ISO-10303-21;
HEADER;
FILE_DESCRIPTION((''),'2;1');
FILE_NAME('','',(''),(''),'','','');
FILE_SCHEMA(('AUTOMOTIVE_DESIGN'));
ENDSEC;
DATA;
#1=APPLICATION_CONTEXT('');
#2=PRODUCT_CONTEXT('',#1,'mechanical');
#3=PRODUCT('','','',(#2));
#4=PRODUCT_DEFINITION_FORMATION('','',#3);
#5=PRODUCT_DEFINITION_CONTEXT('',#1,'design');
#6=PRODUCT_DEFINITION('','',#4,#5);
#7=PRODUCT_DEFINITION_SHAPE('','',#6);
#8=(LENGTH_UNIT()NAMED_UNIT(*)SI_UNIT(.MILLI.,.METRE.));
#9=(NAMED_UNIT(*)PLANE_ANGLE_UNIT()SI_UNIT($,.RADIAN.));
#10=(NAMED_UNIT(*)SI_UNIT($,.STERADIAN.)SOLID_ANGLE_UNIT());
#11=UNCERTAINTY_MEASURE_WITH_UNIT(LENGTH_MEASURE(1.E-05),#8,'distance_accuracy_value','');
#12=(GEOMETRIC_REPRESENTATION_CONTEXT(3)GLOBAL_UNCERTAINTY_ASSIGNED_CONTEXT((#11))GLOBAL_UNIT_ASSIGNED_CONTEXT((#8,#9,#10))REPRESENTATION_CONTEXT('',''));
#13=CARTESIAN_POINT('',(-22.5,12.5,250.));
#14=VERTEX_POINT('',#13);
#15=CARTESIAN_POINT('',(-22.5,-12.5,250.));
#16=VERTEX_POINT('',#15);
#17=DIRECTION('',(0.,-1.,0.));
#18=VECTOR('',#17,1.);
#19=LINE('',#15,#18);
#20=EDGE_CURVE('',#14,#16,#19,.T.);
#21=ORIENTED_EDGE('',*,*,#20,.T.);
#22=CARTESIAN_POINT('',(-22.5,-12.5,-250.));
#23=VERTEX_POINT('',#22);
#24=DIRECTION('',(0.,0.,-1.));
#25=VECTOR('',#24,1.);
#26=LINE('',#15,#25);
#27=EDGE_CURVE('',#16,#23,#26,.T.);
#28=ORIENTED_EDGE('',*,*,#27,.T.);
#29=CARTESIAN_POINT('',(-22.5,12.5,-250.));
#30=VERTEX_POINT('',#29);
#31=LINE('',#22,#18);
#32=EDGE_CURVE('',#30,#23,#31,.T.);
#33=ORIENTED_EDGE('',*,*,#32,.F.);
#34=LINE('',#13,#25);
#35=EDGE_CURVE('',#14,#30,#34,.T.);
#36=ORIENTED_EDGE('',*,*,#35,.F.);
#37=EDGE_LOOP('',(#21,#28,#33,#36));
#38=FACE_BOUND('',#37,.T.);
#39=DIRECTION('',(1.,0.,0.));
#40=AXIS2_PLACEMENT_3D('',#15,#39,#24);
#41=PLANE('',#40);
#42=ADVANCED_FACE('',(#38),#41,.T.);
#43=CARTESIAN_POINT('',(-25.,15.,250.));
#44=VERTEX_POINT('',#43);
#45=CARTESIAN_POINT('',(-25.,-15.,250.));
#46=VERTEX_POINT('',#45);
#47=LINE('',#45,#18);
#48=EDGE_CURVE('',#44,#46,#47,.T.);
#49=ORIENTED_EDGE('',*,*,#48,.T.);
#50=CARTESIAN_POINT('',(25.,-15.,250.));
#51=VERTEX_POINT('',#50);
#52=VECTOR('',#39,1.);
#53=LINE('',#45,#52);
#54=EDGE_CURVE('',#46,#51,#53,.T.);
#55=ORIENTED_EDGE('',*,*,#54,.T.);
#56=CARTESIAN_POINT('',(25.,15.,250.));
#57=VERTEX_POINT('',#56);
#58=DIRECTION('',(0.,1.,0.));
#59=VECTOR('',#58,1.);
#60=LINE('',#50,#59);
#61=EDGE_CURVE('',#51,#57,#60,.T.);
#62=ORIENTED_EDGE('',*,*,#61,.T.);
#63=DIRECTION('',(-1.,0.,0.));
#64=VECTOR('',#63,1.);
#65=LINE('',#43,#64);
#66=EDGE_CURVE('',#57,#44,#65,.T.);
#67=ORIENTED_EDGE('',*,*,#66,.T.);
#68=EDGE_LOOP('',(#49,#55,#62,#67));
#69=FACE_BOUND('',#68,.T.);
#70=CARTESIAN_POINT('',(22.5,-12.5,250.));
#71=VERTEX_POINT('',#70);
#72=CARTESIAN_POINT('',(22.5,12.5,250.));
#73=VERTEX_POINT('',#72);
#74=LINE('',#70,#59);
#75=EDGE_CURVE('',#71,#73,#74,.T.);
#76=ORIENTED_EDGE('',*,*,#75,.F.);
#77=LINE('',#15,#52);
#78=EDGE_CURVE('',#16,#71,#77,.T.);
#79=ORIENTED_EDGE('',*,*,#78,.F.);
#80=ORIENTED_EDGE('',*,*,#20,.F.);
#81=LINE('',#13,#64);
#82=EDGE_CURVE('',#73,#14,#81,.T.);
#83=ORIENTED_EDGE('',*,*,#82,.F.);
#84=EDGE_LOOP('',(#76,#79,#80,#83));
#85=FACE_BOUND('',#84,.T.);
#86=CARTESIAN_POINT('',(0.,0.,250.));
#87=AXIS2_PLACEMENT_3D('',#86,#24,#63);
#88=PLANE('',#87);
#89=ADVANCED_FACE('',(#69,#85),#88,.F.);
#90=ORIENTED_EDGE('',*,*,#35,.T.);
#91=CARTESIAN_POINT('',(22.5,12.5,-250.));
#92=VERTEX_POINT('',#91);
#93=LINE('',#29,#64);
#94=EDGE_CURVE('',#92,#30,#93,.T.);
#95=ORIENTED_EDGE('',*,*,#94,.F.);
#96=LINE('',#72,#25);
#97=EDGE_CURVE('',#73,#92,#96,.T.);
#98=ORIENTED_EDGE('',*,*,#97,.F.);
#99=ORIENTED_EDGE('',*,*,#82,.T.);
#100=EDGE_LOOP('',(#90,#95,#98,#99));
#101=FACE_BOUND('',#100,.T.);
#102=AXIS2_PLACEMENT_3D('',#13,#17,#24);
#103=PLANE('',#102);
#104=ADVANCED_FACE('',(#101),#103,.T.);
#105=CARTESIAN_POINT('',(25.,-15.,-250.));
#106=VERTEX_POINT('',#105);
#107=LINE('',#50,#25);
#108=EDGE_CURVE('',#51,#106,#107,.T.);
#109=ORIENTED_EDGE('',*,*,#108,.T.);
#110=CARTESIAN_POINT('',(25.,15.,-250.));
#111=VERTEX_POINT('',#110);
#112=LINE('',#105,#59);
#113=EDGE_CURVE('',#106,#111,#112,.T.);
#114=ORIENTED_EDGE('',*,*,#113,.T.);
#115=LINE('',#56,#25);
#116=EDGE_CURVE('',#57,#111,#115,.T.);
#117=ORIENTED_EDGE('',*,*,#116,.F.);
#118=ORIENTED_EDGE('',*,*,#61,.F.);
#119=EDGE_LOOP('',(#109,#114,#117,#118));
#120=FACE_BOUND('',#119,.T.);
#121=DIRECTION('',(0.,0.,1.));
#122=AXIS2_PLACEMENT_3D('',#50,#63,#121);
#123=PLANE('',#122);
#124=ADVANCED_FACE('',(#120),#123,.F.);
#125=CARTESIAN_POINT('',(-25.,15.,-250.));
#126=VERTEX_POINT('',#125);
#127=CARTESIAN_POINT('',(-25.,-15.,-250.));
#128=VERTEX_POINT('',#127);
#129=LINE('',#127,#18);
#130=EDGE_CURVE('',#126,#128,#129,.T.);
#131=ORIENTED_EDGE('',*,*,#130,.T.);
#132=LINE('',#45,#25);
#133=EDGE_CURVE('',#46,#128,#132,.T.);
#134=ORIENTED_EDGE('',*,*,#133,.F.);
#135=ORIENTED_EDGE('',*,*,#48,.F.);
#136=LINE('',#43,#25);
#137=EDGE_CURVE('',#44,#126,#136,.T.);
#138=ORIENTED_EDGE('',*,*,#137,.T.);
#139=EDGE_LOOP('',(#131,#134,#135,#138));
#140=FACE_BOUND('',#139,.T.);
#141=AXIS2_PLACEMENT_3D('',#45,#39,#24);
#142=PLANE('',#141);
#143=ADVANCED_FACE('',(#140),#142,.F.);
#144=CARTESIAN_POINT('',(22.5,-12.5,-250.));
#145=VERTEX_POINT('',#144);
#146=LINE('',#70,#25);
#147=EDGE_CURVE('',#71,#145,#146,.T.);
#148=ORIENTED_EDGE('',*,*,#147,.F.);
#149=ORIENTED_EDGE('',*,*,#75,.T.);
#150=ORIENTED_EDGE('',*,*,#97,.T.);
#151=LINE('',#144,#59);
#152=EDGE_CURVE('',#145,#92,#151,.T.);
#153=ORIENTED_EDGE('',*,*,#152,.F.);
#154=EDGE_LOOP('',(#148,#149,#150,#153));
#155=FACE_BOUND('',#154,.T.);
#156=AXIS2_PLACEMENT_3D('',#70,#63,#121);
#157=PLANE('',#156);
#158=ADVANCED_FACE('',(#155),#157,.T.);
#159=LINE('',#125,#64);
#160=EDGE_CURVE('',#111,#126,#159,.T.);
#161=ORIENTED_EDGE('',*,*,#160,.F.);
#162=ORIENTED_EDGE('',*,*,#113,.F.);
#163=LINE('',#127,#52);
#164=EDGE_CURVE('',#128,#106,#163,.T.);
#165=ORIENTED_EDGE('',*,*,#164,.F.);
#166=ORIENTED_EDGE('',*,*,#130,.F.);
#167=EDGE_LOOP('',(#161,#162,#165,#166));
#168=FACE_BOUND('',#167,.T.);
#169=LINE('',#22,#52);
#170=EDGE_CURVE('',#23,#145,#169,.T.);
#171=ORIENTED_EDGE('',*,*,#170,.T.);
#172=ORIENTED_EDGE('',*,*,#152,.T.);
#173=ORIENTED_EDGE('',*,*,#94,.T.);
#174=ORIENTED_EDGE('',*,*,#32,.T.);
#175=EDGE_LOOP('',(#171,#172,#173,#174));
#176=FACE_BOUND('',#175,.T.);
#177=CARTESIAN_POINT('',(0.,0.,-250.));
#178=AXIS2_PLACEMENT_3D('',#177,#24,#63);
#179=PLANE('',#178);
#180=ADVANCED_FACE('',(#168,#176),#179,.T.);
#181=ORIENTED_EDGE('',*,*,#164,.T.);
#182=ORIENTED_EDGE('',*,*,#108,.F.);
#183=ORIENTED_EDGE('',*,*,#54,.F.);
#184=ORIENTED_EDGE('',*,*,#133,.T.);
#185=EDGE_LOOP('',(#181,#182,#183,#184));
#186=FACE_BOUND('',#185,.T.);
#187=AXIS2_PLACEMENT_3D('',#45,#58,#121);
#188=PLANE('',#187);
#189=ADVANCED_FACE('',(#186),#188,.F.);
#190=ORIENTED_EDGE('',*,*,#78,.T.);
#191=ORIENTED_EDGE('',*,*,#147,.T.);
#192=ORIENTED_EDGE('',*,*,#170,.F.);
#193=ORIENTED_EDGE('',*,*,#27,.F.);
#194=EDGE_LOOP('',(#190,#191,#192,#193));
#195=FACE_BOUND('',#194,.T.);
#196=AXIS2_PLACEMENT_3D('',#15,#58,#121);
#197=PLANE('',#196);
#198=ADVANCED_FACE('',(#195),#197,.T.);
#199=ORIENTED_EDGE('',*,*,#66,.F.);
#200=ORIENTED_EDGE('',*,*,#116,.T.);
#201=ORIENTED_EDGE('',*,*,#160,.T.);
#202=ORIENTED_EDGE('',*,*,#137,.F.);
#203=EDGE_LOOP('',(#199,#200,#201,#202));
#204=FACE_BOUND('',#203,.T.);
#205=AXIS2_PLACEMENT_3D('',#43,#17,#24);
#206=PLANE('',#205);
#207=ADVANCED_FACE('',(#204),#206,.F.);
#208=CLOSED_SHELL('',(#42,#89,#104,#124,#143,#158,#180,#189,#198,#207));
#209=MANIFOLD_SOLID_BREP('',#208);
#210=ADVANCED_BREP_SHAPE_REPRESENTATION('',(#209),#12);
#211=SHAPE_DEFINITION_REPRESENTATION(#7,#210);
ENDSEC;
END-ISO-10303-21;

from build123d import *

# Parameters (mm, degrees)
SKETCH1_W           = 50
SKETCH1_H           = 30
SKETCH1_W_2         = 45
SKETCH1_H_2         = 25
BOSS_EXTRUDE1_DEPTH = 250


with BuildPart() as part:
    # Sketch1 → Boss-Extrude1 (new, symmetric)
    with BuildSketch(Plane.XY):
        Rectangle(SKETCH1_W, SKETCH1_H)
        Rectangle(SKETCH1_W_2, SKETCH1_H_2, mode=Mode.SUBTRACT)
    extrude(amount=BOSS_EXTRUDE1_DEPTH, both=True)


solid = part.part
